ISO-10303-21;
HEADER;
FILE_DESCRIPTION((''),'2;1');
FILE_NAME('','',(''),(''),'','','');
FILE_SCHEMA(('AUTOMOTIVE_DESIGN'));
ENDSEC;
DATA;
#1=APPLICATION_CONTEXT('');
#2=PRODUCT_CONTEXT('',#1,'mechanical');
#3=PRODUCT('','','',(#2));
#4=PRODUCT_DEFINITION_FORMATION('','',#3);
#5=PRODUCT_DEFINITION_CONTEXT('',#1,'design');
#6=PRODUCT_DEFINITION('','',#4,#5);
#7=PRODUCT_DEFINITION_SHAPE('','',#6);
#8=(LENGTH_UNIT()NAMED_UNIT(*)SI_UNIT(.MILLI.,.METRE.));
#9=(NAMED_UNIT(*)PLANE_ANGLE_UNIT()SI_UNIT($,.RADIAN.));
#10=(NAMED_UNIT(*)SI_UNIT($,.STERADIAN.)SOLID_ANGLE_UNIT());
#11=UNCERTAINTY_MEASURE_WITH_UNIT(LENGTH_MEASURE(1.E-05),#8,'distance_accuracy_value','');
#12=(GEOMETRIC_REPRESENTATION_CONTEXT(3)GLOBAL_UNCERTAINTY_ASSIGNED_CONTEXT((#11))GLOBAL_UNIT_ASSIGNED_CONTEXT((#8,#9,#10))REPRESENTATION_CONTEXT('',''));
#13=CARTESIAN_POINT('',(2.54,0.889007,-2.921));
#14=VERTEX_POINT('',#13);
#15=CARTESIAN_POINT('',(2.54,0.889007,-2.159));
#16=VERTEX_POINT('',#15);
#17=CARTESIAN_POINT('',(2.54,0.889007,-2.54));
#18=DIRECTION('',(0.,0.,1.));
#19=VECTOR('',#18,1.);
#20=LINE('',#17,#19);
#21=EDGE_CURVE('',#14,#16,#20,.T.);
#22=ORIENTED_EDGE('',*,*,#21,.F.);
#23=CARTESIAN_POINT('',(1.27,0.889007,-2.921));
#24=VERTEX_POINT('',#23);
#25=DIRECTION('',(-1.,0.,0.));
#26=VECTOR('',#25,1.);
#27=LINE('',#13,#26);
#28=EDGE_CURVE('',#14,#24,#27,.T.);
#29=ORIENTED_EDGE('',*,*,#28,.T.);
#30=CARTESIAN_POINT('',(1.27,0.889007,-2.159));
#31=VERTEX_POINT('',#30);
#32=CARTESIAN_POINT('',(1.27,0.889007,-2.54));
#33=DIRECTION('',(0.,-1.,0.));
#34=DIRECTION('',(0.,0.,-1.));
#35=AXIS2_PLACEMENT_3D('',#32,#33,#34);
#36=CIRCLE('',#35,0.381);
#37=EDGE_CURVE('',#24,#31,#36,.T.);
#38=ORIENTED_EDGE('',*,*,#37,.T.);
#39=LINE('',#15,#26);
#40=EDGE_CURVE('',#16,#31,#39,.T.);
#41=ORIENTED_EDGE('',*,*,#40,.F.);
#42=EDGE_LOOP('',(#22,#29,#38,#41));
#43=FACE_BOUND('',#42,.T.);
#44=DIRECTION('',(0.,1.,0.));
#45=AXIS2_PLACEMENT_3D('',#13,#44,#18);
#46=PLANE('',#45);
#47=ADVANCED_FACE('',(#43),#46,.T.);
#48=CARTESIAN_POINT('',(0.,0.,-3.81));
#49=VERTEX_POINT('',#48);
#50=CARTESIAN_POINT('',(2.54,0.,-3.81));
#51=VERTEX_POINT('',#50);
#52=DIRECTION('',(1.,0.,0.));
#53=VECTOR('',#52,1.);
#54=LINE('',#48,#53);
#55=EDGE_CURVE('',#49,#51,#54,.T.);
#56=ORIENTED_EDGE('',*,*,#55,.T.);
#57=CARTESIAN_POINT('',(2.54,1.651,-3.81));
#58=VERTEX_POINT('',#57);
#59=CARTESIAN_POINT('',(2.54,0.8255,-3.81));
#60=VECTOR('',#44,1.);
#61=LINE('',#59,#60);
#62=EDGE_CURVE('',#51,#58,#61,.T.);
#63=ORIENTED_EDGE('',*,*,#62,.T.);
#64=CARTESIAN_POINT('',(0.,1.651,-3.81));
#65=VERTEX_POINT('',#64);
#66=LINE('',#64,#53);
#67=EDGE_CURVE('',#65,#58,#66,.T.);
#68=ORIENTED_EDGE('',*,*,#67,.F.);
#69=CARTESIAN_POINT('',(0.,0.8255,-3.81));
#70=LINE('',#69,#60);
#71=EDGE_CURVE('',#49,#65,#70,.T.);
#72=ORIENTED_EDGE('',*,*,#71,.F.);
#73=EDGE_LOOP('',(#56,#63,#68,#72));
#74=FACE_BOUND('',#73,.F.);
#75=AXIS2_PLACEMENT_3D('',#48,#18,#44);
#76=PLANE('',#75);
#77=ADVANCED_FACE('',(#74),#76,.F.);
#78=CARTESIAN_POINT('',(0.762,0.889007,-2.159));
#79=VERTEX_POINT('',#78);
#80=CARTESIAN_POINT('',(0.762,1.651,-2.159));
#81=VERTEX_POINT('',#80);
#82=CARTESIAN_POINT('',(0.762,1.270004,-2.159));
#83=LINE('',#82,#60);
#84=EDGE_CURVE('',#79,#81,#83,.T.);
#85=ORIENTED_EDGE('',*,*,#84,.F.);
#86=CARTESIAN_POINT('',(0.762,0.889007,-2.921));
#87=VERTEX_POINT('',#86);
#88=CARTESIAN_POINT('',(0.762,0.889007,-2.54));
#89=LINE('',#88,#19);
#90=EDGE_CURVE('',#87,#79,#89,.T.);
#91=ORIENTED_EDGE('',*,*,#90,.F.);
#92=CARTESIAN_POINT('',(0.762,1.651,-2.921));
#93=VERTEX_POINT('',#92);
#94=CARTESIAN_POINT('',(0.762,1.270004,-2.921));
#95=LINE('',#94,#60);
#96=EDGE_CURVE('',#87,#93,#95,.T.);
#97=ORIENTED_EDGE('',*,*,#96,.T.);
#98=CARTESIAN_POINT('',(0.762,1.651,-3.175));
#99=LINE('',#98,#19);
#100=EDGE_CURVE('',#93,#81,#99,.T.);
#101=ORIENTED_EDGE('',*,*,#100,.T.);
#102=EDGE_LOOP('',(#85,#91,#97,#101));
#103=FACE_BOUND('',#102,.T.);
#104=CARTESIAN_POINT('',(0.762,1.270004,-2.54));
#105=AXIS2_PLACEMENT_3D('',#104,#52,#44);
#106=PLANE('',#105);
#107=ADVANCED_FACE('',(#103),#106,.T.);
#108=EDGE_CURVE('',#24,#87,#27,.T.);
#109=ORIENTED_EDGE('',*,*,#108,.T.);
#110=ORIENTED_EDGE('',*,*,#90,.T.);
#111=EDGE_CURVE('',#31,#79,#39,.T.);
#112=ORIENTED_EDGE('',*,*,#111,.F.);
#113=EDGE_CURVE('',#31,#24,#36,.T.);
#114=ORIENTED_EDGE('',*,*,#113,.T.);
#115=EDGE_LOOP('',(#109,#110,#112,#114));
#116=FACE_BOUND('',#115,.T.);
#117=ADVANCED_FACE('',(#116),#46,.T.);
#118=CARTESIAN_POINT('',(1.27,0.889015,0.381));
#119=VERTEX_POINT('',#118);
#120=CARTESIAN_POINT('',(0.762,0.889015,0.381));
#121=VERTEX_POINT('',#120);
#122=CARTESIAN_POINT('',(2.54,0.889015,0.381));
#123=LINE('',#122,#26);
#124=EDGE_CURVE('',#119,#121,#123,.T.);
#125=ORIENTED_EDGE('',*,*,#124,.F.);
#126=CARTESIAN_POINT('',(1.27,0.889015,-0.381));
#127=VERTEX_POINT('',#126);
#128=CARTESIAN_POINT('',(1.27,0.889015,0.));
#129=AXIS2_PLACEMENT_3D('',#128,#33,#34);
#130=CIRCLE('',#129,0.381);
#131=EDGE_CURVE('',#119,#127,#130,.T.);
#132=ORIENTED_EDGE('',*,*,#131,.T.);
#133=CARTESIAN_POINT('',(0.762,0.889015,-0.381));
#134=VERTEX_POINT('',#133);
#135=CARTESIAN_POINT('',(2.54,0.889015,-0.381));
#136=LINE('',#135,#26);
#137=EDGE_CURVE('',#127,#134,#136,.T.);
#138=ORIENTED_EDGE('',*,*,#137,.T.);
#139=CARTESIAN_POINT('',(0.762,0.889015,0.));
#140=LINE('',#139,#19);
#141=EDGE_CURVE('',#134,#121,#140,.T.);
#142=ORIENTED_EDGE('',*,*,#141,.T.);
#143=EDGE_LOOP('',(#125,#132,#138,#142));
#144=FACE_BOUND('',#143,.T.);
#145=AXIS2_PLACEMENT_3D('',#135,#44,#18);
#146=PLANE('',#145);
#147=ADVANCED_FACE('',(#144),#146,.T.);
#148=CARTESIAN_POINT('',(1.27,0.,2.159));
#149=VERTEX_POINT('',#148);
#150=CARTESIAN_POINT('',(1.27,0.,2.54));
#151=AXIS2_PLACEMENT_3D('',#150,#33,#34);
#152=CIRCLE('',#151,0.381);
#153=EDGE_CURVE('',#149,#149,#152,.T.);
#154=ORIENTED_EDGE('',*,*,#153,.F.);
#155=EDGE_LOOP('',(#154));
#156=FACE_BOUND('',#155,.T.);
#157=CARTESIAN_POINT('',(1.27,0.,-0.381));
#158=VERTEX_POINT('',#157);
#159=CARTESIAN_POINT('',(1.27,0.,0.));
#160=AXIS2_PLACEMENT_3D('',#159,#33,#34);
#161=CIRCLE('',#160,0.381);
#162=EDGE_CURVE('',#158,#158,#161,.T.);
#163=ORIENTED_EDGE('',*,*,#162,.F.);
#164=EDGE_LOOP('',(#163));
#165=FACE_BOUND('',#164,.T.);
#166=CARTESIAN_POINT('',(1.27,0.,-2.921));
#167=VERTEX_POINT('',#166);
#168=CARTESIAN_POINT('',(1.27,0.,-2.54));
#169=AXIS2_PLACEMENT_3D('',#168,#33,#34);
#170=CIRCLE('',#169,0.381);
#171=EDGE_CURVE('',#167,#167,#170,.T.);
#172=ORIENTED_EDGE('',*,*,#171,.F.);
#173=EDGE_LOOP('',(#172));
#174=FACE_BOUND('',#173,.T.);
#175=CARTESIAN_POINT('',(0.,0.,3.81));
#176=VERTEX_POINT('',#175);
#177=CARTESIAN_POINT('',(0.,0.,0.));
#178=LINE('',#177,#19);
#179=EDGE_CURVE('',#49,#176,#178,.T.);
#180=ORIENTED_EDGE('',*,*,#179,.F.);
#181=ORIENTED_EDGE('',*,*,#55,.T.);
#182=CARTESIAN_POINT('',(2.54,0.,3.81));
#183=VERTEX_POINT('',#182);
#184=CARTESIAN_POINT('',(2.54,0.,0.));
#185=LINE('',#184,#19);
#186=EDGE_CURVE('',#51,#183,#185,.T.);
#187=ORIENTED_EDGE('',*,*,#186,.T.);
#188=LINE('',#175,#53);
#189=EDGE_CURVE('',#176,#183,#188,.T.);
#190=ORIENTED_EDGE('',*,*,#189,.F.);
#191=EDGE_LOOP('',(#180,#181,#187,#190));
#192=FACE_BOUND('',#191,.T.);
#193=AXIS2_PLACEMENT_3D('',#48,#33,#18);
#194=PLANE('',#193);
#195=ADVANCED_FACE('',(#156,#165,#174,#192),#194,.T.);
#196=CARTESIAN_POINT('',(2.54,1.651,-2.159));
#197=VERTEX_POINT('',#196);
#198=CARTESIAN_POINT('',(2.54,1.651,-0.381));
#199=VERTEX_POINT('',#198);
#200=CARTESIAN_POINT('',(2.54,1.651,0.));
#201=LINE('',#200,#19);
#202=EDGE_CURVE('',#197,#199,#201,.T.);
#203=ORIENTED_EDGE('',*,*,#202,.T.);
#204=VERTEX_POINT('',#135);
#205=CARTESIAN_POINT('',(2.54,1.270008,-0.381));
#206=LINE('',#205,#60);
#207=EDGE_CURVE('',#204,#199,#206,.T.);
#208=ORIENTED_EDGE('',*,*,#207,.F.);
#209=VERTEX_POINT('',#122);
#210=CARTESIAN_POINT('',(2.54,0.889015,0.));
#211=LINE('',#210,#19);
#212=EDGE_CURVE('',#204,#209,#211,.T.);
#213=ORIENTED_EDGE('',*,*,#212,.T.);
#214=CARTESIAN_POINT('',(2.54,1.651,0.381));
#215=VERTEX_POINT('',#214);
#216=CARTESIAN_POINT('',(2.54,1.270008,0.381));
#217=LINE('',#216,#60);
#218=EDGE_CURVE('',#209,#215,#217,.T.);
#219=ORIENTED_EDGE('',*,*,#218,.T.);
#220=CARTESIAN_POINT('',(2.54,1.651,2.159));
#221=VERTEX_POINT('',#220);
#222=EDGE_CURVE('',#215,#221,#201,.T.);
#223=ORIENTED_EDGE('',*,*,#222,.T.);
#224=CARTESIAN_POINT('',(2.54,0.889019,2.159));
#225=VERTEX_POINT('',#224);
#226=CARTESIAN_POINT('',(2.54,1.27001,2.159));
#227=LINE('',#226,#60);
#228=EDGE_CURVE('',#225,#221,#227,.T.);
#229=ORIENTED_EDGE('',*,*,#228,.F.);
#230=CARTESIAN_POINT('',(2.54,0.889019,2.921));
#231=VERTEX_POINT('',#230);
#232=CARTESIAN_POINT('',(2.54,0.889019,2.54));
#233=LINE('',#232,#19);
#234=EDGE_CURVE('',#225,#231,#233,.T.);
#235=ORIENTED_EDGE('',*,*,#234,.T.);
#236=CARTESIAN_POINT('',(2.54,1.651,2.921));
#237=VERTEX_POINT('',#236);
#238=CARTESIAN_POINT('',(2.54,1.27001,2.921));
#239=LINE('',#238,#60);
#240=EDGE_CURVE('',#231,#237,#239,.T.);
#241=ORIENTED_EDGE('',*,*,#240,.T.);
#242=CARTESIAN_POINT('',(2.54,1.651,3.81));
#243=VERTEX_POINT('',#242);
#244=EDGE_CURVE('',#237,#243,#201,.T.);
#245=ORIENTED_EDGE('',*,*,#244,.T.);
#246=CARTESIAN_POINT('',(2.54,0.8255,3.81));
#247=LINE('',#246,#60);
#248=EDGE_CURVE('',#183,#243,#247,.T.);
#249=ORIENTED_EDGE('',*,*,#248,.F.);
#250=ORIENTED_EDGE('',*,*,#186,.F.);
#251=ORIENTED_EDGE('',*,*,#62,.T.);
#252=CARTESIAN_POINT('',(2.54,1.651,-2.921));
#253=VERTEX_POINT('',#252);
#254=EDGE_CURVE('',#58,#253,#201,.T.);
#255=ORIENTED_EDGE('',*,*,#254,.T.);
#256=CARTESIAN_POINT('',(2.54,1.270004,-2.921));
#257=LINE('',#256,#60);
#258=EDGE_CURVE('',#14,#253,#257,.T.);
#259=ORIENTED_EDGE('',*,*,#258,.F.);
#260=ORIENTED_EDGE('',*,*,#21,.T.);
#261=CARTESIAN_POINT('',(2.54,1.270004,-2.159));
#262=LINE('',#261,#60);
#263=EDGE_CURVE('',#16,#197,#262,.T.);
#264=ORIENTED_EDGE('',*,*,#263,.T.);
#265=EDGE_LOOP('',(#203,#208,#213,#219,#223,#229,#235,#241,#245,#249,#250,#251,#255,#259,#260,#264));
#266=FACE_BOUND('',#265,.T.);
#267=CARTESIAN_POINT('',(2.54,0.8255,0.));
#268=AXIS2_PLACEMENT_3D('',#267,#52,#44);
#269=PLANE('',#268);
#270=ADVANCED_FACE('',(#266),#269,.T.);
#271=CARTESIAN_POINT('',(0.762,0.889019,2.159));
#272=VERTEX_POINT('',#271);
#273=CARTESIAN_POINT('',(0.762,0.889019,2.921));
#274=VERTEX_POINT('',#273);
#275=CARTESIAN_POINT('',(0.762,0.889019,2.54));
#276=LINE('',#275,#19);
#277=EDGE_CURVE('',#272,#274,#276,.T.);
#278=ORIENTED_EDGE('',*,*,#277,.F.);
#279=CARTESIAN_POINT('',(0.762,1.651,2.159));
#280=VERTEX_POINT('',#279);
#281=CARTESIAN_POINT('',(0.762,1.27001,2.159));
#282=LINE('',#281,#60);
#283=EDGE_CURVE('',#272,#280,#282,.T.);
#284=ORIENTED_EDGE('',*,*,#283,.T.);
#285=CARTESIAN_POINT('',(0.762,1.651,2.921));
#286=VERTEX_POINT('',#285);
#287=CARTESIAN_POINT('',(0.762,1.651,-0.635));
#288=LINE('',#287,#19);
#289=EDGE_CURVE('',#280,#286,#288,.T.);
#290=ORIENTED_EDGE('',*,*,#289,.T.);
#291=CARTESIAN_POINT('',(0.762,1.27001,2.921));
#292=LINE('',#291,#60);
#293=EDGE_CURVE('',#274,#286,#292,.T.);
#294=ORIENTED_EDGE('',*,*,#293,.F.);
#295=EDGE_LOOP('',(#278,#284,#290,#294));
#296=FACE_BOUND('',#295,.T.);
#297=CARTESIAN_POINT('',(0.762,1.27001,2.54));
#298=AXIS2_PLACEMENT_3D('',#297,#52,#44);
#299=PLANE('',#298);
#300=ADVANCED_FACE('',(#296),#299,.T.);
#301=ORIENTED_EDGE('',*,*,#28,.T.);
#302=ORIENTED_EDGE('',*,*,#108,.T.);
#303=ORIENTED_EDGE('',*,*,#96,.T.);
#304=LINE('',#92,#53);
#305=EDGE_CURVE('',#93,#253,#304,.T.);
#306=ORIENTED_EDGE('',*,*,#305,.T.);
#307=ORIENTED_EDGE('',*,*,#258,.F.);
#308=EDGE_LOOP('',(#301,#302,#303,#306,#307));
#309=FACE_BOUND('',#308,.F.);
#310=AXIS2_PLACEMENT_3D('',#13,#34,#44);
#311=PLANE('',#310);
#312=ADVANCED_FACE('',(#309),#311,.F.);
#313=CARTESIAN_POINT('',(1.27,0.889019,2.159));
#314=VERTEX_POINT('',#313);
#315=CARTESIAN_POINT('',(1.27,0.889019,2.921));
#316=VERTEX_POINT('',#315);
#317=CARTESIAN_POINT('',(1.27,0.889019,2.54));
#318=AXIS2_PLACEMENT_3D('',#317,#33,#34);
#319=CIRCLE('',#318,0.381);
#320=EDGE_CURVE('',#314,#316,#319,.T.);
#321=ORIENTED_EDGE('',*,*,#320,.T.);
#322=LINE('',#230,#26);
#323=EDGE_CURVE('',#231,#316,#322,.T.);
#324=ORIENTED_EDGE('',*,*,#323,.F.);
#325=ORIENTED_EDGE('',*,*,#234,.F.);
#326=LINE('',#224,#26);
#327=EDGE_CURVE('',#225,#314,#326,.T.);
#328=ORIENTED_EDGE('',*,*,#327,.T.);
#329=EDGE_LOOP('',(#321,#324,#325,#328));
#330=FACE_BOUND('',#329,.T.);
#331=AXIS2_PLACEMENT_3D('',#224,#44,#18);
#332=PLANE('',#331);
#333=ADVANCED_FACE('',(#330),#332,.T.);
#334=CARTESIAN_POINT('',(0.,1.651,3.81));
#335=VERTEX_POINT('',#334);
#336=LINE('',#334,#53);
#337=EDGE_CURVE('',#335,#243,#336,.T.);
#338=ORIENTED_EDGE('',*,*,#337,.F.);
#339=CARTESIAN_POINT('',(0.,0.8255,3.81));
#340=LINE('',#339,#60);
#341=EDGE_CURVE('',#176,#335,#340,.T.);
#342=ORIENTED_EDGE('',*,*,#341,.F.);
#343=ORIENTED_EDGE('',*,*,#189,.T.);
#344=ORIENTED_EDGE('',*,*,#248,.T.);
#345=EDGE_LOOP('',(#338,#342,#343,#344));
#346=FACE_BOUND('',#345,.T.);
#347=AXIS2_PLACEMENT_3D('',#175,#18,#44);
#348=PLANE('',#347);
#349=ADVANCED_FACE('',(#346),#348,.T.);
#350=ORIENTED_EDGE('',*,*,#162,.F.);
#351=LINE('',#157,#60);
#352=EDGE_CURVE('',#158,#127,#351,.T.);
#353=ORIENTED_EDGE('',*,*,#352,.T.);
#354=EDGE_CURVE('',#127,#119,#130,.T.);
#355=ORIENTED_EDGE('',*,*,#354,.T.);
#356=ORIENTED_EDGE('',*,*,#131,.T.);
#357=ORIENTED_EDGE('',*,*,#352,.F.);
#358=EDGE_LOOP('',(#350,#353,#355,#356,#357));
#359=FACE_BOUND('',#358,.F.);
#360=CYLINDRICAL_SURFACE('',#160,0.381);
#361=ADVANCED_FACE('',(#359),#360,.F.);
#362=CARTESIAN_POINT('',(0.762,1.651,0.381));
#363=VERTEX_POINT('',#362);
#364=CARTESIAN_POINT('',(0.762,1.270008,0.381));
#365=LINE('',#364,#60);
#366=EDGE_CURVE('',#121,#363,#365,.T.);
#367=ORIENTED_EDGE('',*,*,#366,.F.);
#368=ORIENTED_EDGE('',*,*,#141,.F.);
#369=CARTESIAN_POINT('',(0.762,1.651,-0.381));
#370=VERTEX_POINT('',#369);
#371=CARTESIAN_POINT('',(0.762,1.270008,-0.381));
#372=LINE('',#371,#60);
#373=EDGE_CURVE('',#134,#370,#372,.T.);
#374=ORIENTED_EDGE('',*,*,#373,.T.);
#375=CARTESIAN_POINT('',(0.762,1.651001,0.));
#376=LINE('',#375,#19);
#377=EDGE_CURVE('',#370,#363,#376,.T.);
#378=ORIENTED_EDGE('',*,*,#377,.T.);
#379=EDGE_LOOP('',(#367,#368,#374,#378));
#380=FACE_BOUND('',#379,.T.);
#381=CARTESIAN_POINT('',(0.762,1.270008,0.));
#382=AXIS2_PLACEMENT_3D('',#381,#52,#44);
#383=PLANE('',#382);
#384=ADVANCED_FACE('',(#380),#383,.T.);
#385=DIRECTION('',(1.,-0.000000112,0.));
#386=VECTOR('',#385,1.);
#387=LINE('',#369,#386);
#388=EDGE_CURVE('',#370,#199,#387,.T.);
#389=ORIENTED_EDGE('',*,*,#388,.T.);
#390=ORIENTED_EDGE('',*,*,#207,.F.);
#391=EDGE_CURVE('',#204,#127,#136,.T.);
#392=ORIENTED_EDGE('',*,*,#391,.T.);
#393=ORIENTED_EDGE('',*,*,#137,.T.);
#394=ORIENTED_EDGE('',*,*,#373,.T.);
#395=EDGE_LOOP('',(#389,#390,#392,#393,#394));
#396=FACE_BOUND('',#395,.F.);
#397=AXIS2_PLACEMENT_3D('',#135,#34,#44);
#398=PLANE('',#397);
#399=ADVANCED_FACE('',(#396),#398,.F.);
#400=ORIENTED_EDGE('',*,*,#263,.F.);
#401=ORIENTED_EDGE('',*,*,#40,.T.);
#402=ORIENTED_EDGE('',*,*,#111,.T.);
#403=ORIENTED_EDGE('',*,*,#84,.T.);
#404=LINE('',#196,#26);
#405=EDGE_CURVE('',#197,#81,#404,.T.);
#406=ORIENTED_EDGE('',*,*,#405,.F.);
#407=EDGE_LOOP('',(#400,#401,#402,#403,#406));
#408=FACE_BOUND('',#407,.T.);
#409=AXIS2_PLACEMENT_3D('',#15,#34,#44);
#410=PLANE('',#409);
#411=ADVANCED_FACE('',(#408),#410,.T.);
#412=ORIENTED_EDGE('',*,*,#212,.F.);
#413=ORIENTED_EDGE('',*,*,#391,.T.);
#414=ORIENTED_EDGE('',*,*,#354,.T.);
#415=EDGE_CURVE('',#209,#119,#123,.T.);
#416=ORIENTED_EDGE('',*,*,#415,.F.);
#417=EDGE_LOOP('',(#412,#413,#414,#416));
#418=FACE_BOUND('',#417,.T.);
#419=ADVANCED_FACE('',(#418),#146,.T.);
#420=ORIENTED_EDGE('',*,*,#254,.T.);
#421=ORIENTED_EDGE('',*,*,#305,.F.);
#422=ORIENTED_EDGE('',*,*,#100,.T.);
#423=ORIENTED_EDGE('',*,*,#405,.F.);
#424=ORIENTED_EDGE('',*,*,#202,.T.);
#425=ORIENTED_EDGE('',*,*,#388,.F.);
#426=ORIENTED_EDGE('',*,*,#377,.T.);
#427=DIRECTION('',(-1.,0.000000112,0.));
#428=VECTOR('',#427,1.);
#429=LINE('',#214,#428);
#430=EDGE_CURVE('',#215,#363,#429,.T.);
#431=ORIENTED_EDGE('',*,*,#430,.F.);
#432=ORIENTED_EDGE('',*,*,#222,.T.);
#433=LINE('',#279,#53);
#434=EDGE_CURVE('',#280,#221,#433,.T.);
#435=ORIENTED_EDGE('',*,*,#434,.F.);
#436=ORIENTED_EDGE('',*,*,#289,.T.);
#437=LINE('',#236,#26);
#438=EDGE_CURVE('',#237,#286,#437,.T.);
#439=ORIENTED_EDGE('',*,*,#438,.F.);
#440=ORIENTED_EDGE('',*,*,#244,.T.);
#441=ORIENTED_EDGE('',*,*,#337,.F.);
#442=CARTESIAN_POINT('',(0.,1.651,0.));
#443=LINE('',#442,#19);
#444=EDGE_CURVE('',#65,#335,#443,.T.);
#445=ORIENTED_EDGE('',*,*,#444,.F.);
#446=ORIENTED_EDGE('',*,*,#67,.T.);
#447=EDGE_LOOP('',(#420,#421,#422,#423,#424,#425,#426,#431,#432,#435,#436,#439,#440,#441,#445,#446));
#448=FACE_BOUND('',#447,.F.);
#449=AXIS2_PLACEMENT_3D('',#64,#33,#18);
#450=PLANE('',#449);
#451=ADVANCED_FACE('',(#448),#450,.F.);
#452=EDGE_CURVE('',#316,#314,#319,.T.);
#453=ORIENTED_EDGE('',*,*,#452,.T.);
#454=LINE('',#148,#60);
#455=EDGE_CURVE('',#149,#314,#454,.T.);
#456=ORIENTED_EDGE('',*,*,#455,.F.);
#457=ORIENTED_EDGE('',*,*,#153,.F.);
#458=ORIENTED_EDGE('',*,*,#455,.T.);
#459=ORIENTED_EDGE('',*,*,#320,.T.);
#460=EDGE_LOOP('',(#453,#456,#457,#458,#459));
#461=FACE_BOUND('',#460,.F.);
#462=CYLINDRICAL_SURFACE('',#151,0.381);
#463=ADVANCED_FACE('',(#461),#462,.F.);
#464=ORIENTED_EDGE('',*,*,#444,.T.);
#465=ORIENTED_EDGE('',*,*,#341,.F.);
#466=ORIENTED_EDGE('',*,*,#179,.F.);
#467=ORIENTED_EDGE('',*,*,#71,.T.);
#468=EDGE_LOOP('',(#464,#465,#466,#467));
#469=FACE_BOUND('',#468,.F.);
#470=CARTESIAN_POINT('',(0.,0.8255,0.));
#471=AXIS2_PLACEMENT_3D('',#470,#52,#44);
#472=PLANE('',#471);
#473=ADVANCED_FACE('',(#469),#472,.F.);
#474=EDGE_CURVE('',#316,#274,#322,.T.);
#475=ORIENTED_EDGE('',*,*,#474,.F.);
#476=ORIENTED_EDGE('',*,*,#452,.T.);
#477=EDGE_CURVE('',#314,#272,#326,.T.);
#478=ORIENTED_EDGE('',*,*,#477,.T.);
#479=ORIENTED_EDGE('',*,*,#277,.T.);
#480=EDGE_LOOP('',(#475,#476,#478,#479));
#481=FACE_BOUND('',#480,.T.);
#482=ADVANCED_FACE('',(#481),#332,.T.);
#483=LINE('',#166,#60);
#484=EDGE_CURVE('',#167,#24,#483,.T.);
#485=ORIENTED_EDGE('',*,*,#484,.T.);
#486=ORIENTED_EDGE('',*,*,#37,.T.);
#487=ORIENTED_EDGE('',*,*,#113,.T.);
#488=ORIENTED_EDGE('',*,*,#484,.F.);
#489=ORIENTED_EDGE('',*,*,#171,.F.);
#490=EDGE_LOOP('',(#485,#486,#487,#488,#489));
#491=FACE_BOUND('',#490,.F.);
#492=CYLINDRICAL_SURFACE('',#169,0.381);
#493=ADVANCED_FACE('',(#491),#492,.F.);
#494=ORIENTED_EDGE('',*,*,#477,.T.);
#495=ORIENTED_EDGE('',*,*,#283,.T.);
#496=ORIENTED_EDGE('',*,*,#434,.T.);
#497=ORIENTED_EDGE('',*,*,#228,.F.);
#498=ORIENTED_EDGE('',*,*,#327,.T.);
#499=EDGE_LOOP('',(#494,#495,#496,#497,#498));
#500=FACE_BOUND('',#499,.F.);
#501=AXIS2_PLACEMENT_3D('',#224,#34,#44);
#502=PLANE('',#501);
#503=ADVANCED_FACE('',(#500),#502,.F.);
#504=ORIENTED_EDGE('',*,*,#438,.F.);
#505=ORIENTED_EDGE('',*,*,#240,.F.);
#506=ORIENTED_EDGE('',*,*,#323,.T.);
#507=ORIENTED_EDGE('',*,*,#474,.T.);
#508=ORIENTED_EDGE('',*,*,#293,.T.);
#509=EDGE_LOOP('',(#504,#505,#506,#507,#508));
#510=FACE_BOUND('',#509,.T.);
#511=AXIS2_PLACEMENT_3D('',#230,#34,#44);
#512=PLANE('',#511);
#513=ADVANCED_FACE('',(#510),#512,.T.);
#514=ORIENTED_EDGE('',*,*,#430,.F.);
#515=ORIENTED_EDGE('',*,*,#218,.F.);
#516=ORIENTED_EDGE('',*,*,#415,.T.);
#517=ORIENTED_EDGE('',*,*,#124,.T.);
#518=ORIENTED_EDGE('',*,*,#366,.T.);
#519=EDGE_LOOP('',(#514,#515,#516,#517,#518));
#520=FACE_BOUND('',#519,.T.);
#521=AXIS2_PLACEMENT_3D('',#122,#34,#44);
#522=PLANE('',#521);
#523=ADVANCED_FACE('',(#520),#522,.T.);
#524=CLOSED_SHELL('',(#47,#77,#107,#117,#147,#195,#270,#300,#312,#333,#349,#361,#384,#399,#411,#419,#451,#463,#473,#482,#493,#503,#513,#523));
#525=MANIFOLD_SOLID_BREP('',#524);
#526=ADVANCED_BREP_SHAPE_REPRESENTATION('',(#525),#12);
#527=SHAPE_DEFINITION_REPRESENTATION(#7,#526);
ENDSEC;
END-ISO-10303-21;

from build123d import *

# Parameters (mm, degrees)
SKETCH002_W     = 1.651
SKETCH002_H     = 7.62
PAD_DEPTH       = 2.54
SKETCH003_W     = 0.761982
SKETCH003_H     = 0.762
SKETCH003_W_2   = 0.761985
SKETCH003_W_3   = 0.761994
POCKET_DEPTH    = 1.778
SKETCH004_R     = 0.381
POCKET001_DEPTH = 1.652


with BuildPart() as part:
    # Sketch002 → Pad (new body)
    with BuildSketch(Plane.YZ):
        with Locations((0.8255, 0)):
            Rectangle(SKETCH002_W, SKETCH002_H)
    extrude(amount=PAD_DEPTH)

    # Sketch003 (on Face6 of Pad) → Pocket (cut)
    with BuildSketch(Plane.YZ.offset(2.54)):
        with Locations((1.27001, 2.54)):
            Rectangle(SKETCH003_W, SKETCH003_H)
        with Locations((1.270008, 0)):
            Rectangle(SKETCH003_W_2, SKETCH003_H)
        with Locations((1.270004, -2.54)):
            Rectangle(SKETCH003_W_3, SKETCH003_H)
    extrude(amount=-POCKET_DEPTH, mode=Mode.SUBTRACT)

    # Sketch004 (on Face2 of Pocket) → Pocket001 (cut, through all)
    with BuildSketch(Plane(origin=(0, 0, 0), x_dir=(0, 0, -1), z_dir=(0, -1, 0))):
        with Locations((0, 1.27)):
            Circle(SKETCH004_R)
        with Locations((-2.54, 1.27)):
            Circle(SKETCH004_R)
        with Locations((2.54, 1.27)):
            Circle(SKETCH004_R)
    extrude(amount=-POCKET001_DEPTH, mode=Mode.SUBTRACT)


solid = part.part
